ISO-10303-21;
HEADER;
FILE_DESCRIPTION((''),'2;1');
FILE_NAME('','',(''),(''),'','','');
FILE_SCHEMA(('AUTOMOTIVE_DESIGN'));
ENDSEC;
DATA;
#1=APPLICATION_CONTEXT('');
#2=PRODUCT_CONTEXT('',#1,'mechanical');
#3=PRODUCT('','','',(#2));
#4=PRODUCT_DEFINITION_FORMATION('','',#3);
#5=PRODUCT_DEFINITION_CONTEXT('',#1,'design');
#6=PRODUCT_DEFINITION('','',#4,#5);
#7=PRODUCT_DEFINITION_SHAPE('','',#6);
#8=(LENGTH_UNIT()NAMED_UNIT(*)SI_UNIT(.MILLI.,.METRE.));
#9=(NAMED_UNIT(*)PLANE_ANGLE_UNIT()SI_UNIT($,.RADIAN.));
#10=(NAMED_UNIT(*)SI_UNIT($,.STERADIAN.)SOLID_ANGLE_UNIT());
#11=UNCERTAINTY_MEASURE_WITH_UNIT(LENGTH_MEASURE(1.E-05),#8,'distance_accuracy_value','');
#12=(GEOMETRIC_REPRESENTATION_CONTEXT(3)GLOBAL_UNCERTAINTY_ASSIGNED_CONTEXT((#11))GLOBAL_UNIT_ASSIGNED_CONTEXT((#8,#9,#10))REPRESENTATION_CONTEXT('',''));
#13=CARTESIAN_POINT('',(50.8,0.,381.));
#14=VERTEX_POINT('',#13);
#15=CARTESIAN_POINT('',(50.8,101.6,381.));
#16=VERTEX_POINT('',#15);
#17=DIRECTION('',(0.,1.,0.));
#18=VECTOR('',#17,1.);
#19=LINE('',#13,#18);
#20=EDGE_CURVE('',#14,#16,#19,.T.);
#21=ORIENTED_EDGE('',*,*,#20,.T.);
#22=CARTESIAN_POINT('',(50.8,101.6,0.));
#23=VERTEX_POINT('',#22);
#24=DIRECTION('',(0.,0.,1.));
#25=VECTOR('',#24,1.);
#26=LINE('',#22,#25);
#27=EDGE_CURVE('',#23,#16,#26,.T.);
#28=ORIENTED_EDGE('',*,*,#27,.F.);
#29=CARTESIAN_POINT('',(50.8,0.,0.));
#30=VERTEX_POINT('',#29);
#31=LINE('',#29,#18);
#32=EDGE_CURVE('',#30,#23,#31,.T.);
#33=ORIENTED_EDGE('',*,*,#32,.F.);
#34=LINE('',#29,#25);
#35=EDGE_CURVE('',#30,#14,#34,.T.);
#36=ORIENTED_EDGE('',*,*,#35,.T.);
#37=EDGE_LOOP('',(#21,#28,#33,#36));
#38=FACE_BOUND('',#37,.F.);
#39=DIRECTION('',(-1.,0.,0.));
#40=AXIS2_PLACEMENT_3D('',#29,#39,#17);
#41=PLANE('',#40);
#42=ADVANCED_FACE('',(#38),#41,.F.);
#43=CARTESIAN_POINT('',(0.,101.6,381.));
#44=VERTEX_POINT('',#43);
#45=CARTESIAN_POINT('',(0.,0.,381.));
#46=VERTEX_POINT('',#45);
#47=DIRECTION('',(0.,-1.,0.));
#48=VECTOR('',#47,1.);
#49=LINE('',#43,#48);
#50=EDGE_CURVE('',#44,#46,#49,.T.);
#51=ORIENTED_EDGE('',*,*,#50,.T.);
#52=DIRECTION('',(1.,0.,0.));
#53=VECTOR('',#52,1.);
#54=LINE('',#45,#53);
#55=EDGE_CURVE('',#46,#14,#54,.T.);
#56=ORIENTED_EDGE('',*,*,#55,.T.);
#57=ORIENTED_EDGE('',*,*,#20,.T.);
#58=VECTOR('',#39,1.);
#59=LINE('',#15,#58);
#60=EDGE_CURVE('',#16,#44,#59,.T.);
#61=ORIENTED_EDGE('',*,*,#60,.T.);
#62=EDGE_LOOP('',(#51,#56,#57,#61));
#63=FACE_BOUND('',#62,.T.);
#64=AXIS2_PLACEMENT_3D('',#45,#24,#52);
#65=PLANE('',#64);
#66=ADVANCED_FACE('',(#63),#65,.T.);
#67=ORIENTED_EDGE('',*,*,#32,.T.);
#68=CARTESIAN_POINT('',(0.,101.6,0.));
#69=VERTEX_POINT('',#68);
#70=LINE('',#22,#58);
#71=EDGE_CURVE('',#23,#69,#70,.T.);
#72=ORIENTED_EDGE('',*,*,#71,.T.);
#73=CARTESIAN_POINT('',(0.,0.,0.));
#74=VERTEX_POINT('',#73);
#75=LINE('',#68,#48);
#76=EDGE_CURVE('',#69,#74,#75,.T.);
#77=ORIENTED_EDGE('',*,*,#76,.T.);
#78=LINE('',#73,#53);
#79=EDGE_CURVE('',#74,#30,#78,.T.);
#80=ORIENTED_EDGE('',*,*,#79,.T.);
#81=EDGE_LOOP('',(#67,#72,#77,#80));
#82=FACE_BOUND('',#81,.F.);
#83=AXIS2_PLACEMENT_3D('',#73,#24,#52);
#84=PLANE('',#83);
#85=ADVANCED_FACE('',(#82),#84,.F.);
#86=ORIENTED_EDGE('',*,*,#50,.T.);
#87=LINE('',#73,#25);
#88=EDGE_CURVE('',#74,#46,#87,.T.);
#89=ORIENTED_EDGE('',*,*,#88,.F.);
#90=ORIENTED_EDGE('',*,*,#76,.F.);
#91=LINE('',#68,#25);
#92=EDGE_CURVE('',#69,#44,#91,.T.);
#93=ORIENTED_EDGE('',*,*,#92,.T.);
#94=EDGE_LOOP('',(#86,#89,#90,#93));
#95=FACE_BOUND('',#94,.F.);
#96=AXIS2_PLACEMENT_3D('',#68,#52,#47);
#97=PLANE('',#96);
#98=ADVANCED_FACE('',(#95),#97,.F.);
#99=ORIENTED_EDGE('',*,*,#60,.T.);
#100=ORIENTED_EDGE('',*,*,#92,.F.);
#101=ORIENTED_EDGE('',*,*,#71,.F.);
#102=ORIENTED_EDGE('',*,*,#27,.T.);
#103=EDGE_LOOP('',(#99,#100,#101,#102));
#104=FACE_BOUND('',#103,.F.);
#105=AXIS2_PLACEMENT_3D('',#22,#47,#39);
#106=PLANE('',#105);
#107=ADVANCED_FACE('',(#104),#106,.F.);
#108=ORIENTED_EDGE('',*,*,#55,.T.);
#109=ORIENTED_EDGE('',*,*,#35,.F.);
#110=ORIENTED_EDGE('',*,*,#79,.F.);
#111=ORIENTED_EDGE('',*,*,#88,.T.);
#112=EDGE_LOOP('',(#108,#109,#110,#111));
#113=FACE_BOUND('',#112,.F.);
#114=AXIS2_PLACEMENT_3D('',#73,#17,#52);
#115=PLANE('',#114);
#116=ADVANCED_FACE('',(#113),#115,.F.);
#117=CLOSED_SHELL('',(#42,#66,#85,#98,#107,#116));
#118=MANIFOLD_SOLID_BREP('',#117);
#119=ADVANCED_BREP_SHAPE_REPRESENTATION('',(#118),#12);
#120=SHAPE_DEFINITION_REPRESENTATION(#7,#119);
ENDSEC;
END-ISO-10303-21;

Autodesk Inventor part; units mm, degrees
ref_plane "YZ Plane" through (0, 0, 0) normal (1, 0, 0) x (0, 1, 0)
ref_plane "XZ Plane" through (0, 0, 0) normal (0, 1, 0) x (-1, 0, 0)
ref_plane "XY Plane" through (0, 0, 0) normal (0, 0, 1) x (1, 0, 0)
sketch "Sketch1" plane through (0, 0, 0) normal (0, 0, 1) x (1, 0, 0)
  line L0 (0, 0) -> (50.8, 0)
  line L1 (50.8, 0) -> (50.8, 101.6)
  line L2 (50.8, 101.6) -> (0, 101.6)
  line L3 (0, 101.6) -> (0, 0)
  dimension "d0" = 50.8
  dimension "d1" = 101.6
extrude "Extrusion1" add sketch "Sketch1" along normal blind 381
properties part number "VertBeam"
